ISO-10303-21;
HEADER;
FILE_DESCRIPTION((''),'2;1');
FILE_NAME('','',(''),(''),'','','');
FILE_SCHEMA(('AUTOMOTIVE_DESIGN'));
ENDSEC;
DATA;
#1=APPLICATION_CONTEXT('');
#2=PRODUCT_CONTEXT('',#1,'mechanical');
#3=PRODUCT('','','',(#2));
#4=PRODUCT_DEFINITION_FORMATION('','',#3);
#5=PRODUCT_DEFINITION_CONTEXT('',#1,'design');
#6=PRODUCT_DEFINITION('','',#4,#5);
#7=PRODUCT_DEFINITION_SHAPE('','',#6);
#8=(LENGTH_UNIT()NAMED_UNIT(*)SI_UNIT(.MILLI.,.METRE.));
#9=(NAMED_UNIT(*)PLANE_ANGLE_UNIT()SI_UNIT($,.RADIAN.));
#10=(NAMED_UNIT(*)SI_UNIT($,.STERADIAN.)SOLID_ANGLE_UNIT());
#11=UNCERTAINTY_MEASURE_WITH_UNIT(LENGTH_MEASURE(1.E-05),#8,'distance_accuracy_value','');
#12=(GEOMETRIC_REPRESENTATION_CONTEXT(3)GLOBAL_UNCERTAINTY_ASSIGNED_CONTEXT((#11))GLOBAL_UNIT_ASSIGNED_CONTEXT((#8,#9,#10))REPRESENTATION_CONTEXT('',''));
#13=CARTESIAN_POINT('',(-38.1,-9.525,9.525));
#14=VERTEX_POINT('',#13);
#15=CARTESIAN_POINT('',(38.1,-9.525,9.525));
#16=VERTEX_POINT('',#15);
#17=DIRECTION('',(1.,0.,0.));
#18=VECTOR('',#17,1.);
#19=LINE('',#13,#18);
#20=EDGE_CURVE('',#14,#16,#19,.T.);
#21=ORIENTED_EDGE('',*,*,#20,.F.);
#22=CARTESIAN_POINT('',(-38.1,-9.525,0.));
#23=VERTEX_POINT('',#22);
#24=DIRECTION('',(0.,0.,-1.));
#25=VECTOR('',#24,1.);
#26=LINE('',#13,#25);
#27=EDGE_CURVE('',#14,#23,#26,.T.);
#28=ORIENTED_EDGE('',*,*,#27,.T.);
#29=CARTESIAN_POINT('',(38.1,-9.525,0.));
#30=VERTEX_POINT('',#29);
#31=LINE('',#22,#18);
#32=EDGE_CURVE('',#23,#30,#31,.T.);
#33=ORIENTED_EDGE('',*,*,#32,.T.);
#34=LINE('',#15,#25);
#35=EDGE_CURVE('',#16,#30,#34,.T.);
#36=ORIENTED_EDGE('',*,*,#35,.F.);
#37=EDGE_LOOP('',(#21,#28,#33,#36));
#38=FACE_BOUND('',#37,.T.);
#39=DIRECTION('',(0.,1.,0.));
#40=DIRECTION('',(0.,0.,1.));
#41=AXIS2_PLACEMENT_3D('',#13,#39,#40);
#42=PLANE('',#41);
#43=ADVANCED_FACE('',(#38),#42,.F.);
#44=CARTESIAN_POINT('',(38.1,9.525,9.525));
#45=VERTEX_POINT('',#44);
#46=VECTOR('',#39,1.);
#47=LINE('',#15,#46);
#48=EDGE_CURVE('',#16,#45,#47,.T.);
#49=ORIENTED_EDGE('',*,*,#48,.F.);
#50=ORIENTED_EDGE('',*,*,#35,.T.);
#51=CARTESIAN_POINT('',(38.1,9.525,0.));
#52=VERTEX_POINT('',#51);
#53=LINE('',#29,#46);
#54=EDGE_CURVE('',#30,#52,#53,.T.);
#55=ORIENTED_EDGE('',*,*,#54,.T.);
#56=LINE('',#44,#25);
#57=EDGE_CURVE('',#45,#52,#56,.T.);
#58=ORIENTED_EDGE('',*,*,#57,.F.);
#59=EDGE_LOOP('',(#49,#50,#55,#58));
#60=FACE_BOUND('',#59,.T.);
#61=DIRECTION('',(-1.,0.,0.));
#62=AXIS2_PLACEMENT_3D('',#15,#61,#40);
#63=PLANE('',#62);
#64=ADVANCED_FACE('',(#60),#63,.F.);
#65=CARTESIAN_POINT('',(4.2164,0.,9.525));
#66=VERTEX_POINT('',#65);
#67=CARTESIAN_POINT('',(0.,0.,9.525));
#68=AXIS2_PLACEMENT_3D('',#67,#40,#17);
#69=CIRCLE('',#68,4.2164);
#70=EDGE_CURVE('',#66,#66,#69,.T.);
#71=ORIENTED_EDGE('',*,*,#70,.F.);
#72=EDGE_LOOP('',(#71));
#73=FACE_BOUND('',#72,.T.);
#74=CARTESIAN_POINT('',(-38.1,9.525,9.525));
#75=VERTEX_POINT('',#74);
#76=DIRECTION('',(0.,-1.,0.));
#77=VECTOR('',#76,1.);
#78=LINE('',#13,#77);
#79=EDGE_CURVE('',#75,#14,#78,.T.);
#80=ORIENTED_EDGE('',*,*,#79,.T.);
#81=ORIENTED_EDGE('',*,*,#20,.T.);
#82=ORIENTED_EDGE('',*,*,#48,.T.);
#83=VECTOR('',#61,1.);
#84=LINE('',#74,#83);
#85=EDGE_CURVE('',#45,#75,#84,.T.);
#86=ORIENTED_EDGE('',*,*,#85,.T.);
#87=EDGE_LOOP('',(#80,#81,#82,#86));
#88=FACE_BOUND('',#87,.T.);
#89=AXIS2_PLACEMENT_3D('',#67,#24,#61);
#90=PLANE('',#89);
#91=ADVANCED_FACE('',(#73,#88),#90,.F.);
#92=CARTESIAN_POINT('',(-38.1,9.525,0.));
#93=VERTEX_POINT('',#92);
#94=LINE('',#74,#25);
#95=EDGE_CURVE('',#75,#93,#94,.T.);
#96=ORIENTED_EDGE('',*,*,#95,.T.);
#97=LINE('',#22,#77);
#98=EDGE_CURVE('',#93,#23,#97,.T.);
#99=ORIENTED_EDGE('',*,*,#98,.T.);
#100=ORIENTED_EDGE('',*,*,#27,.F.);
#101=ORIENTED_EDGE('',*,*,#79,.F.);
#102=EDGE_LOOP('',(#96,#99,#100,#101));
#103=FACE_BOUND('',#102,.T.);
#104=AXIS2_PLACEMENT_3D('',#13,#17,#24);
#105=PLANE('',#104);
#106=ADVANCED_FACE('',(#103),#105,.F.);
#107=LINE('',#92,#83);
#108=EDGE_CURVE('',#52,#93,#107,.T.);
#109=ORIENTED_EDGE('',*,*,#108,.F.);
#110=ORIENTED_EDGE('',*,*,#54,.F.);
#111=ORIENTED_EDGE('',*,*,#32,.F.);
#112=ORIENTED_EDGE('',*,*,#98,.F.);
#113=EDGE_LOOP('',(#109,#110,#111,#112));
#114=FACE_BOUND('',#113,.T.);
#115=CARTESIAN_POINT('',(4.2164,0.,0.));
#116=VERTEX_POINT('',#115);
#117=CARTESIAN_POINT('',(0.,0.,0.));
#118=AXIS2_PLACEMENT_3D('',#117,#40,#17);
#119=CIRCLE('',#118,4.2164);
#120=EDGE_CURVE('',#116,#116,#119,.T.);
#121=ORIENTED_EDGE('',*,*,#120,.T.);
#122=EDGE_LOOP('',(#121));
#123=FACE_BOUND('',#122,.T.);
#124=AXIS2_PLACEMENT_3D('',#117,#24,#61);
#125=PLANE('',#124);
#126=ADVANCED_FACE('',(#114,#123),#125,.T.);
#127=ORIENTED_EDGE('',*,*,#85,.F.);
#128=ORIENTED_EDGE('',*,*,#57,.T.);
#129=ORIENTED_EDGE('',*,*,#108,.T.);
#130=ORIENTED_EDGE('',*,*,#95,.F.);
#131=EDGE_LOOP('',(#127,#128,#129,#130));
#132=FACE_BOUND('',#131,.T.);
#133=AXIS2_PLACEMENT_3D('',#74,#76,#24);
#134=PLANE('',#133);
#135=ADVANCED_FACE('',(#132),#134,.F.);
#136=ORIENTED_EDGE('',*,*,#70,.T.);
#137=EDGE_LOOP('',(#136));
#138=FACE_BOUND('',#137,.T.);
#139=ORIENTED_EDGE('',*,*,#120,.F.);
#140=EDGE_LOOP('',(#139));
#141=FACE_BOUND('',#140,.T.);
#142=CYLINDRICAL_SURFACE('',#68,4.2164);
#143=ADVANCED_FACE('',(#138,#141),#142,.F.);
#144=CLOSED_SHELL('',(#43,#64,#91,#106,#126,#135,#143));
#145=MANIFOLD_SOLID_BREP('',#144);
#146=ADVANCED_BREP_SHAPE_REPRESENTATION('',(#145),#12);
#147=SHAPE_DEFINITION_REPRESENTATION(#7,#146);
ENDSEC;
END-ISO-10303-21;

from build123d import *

# Parameters (mm, degrees)
SKETCH1_W                = 76.2
SKETCH1_H                = 19.05
BOSS_EXTRUDE1_DEPTH      = 9.525
F_5_16_CLEARANCE_HOLE1_D = 8.4328


with BuildPart() as part:
    # Sketch1 → Boss-Extrude1 (new body)
    with BuildSketch(Plane.XY):
        Rectangle(SKETCH1_W, SKETCH1_H)
    extrude(amount=BOSS_EXTRUDE1_DEPTH)

    # 5/16 Clearance Hole1 (through all)
    with Locations(Plane.XY.offset(9.525)):
        with Locations((0, 0)):
            Hole(F_5_16_CLEARANCE_HOLE1_D / 2)


solid = part.part
